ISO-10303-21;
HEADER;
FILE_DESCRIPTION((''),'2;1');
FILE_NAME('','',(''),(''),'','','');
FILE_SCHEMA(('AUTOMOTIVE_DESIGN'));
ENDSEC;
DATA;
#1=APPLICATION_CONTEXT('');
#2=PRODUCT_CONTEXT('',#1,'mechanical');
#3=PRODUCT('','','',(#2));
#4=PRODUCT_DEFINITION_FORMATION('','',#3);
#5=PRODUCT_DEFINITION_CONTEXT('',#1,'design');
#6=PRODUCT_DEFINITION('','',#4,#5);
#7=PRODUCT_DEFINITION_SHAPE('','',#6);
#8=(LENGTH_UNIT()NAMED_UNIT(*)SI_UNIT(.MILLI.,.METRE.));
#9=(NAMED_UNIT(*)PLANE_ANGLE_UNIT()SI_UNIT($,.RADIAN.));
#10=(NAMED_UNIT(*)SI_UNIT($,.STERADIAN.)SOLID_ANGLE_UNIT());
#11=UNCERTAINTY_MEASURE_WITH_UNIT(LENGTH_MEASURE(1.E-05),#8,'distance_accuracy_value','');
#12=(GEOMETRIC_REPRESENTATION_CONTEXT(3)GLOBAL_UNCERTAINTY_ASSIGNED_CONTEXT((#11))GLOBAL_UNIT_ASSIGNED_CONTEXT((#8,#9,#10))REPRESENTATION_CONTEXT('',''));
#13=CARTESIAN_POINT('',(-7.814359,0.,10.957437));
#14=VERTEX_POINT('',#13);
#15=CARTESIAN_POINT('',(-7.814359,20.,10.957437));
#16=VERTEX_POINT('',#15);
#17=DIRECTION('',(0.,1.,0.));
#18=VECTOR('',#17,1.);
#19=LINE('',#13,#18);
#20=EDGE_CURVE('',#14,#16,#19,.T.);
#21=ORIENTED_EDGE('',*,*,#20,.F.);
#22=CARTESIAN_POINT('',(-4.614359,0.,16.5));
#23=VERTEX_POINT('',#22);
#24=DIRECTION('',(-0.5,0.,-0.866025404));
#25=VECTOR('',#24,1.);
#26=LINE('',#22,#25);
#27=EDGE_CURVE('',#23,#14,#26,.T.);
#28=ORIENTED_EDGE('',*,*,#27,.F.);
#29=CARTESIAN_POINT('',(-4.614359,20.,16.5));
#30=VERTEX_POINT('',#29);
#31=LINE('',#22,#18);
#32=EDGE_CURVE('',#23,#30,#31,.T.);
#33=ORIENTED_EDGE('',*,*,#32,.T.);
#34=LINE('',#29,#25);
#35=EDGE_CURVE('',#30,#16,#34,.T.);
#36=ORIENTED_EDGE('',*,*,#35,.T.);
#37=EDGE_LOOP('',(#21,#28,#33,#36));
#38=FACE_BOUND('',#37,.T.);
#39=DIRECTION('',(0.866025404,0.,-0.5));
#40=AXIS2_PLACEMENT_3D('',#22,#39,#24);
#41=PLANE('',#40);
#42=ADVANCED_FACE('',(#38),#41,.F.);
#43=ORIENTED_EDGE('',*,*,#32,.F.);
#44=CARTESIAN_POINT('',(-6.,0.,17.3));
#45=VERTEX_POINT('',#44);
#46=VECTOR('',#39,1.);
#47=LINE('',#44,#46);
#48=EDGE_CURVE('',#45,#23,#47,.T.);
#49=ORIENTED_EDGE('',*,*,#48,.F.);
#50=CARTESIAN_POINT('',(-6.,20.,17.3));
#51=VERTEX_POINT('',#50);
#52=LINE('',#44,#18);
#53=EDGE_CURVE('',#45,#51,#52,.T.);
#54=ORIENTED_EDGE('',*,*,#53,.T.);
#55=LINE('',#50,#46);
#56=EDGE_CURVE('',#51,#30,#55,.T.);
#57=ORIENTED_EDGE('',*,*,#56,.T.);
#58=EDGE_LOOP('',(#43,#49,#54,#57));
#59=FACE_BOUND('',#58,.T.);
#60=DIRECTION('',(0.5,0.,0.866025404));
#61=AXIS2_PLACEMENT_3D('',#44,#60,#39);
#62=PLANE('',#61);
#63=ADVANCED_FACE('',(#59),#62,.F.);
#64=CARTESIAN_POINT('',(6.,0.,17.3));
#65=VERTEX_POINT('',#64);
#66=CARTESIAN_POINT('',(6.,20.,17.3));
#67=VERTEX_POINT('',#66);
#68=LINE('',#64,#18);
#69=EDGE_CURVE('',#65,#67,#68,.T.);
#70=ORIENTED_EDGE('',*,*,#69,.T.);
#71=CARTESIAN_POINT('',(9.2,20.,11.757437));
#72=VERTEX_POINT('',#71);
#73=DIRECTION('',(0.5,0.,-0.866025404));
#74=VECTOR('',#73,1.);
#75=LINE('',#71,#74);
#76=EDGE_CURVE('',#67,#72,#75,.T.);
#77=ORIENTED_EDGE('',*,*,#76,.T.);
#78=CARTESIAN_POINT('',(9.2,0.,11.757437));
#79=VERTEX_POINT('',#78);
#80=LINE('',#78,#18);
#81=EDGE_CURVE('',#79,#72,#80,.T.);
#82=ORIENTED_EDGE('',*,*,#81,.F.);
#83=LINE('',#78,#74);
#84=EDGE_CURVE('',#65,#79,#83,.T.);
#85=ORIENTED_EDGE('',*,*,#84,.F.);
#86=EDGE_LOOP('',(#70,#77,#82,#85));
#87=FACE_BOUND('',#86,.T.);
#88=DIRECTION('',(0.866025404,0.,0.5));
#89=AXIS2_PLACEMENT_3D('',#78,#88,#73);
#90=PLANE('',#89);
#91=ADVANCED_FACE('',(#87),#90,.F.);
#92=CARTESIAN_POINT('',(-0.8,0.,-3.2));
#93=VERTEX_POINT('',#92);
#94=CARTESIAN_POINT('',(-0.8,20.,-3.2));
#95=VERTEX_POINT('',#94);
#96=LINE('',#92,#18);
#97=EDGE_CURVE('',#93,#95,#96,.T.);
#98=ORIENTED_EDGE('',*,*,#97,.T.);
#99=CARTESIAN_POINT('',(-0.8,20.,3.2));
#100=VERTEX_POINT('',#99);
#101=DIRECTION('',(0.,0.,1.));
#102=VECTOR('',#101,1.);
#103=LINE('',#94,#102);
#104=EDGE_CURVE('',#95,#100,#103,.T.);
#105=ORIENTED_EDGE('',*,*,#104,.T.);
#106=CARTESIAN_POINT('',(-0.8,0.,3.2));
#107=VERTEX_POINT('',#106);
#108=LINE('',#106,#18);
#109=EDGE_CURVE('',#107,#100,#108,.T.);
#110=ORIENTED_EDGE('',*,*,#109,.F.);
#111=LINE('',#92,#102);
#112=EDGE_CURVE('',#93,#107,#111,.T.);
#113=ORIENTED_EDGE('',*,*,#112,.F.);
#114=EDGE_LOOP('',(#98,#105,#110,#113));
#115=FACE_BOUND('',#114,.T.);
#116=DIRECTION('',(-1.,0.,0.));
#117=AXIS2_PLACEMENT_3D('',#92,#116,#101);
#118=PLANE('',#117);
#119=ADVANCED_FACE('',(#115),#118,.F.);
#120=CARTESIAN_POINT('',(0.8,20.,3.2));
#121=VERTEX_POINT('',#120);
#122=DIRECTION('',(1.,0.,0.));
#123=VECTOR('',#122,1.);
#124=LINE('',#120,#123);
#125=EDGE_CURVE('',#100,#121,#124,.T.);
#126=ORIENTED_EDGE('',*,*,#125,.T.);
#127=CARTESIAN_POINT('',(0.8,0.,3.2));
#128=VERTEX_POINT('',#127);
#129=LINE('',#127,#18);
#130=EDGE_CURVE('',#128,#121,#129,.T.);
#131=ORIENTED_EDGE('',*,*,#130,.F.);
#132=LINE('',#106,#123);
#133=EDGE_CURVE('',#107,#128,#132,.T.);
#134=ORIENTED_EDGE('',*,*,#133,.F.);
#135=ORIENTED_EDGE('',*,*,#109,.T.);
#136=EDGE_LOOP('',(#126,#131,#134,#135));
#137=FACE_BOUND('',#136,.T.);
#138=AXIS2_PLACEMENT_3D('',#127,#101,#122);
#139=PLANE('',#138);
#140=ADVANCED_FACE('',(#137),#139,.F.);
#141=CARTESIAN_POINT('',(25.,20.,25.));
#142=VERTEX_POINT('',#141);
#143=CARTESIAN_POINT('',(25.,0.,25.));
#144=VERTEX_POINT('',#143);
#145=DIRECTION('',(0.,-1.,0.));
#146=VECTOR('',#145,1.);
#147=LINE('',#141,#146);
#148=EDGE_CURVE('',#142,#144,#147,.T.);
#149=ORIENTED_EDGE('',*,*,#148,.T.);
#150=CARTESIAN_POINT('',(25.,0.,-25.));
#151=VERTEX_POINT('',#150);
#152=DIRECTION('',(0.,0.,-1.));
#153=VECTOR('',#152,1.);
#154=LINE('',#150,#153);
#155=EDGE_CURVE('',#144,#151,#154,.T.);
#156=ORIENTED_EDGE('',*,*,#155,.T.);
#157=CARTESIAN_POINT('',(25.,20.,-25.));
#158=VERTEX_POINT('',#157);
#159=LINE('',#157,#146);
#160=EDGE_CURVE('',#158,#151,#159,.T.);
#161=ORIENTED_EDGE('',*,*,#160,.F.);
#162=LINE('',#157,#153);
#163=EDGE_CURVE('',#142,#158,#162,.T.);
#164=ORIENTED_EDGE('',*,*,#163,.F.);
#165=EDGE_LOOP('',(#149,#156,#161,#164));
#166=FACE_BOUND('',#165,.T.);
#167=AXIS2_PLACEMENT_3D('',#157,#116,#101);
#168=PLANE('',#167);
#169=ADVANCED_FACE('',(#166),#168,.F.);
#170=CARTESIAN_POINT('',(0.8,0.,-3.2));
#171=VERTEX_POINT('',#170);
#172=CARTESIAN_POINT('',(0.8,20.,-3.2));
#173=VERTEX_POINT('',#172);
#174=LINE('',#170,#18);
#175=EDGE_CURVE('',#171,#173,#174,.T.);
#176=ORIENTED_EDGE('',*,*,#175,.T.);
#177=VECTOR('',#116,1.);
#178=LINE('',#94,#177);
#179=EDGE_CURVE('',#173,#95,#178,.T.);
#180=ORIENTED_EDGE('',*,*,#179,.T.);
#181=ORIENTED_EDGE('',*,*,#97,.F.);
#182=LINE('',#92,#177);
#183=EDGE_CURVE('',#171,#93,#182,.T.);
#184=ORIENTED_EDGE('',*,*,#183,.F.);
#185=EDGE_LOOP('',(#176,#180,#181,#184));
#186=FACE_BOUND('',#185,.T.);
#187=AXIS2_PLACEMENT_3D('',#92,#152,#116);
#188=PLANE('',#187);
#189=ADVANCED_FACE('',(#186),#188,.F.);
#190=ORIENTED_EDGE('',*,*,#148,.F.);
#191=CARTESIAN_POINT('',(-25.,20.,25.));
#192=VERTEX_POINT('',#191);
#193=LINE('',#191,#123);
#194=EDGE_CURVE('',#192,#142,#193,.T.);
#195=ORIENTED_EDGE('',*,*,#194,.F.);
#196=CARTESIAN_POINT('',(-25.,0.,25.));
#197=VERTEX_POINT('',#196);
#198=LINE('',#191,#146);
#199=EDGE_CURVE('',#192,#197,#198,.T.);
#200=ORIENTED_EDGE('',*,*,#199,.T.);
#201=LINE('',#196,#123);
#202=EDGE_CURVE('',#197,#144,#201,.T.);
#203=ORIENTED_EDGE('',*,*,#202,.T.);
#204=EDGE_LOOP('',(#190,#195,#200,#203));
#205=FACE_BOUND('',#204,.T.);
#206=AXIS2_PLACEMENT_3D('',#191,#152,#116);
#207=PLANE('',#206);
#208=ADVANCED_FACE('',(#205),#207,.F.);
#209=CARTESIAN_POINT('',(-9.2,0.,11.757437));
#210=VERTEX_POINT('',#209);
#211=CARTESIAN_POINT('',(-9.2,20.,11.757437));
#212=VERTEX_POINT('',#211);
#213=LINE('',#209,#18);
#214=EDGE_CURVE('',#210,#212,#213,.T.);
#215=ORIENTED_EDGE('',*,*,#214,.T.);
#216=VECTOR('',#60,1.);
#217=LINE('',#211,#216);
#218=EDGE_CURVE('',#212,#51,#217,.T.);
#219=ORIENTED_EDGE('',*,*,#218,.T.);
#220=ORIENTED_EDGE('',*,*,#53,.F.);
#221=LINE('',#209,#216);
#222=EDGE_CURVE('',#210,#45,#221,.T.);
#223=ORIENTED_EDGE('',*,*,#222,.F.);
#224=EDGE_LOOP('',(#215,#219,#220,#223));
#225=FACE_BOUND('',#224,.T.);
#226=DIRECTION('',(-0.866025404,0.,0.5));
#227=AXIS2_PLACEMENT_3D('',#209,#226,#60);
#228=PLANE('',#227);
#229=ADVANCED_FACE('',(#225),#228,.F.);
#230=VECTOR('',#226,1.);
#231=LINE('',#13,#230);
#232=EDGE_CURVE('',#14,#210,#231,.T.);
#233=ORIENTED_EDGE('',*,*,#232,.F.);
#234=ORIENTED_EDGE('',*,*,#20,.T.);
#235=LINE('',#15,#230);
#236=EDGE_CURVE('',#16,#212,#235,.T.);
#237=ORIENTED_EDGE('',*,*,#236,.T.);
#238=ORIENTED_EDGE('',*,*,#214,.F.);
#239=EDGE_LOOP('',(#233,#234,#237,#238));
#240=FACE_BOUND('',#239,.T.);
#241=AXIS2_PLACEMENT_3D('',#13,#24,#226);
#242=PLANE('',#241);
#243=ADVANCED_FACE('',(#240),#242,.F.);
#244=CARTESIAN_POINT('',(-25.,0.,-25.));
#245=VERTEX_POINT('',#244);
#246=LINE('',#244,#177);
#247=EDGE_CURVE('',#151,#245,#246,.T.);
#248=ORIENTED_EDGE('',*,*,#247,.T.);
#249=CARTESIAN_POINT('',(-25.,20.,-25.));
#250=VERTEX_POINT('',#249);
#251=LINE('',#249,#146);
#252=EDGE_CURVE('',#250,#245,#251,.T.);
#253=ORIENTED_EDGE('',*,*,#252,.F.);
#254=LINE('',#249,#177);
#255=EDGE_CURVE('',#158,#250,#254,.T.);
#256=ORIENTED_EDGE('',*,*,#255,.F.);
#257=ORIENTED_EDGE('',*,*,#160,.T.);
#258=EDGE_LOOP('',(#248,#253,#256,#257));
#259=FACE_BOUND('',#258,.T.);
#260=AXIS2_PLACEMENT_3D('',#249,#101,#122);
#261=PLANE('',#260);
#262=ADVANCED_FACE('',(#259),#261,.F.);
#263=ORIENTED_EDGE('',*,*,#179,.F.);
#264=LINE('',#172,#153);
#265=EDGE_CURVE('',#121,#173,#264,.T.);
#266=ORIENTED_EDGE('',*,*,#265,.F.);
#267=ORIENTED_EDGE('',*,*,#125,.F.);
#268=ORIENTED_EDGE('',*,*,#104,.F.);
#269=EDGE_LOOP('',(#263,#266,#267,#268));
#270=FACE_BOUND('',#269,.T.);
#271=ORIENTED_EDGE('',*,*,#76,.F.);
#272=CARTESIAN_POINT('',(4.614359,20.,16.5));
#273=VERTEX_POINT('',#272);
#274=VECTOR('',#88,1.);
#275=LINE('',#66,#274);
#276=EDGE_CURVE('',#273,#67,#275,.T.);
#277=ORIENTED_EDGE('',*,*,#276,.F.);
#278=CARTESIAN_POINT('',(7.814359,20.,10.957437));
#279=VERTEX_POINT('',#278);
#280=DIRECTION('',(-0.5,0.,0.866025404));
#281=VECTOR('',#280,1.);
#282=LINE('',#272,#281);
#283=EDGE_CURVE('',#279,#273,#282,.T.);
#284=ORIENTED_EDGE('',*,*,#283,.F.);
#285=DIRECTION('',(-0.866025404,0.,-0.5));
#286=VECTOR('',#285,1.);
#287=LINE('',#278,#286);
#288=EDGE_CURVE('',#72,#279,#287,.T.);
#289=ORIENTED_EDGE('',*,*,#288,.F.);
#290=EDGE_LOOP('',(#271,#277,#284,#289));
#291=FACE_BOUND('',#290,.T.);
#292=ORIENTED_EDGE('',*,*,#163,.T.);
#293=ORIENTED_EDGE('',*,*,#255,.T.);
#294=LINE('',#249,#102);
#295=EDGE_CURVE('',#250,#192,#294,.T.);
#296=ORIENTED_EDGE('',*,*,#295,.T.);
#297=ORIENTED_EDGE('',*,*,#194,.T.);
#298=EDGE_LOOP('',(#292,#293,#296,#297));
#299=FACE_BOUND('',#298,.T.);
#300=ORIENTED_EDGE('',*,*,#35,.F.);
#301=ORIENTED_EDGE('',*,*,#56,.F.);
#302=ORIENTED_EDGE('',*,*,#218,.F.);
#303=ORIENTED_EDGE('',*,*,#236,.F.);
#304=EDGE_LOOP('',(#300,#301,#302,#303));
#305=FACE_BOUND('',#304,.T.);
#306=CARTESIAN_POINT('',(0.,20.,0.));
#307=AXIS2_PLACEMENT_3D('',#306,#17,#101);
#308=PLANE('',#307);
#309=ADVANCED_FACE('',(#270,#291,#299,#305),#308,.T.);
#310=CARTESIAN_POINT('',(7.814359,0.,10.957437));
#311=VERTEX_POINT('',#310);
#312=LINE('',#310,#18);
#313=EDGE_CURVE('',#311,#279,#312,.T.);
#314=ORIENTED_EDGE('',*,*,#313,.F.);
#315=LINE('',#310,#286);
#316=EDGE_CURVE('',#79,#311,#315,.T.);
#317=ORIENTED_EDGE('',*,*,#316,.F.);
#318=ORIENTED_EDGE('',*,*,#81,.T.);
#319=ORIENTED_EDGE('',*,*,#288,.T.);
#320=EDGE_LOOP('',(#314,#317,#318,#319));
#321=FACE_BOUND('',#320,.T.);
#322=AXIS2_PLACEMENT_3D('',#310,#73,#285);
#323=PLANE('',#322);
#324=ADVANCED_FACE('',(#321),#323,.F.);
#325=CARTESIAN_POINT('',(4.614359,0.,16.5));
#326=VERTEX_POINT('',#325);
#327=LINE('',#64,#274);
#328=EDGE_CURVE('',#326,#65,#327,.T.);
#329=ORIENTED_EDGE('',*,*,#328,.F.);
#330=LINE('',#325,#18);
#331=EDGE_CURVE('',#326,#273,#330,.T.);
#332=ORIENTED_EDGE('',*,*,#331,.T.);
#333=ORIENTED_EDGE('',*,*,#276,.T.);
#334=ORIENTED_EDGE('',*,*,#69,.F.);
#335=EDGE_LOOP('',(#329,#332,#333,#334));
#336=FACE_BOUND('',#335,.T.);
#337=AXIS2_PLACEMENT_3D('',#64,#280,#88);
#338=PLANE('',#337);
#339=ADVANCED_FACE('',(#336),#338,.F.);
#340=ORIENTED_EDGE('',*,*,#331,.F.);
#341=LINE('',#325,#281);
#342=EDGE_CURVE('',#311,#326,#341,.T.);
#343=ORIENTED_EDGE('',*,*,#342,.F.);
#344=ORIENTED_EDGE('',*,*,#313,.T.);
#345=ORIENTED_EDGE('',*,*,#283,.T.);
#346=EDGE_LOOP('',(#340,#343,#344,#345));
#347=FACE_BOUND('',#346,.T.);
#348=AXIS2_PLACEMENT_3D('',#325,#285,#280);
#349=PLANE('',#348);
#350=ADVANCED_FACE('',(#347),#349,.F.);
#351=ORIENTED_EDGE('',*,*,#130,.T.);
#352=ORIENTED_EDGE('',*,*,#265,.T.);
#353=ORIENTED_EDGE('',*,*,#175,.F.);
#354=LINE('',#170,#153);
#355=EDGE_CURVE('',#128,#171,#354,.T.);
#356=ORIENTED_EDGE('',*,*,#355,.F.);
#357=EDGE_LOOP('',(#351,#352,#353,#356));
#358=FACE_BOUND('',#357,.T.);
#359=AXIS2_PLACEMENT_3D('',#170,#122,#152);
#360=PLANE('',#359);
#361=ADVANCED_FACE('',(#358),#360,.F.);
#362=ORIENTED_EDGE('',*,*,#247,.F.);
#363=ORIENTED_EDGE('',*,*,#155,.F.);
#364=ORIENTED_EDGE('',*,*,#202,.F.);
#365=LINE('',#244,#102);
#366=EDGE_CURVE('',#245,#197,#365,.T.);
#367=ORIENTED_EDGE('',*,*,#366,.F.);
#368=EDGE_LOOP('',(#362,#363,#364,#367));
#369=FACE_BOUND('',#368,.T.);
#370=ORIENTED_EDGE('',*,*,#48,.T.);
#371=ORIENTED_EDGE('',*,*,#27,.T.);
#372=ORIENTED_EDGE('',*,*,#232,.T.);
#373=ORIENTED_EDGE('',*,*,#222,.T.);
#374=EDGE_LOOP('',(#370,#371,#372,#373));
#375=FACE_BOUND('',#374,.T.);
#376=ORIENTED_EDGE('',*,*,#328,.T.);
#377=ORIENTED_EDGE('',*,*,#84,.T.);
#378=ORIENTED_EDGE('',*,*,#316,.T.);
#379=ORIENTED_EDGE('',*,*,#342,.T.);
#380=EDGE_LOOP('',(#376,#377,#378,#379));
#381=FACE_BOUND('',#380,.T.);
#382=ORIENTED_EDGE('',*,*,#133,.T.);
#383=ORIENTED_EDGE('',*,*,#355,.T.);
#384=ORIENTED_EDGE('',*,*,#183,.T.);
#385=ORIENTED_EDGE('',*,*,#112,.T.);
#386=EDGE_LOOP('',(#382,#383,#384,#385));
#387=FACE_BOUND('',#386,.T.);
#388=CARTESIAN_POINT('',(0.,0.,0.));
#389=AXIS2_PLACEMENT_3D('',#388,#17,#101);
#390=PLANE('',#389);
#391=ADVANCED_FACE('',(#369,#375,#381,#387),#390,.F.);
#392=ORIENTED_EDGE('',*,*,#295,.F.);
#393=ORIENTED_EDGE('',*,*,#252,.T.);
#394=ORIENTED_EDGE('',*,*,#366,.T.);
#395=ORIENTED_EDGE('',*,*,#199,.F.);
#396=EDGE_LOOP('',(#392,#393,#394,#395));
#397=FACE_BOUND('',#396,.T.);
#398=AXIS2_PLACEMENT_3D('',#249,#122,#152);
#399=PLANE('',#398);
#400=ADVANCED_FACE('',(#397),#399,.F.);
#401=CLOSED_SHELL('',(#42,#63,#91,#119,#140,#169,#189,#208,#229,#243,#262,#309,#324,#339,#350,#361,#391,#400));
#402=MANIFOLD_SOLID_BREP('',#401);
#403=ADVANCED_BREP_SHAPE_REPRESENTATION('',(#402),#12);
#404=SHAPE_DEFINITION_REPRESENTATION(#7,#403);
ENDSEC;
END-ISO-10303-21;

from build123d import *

# Parameters (mm, degrees)
SKETCH_1_W          = 50
SKETCH_1_H          = 50
EXTRUDE_1_DEPTH     = 20
CUT_EXTRUDE_1_DEPTH = 20


with BuildPart() as part:
    # Эскиз1 → Бобышка-Вытянуть1 (new body)
    with BuildSketch(Plane(origin=(0, 0, 0), x_dir=(1, 0, 0), z_dir=(0, 1, 0))):
        Rectangle(SKETCH_1_W, SKETCH_1_H)
    extrude(amount=EXTRUDE_1_DEPTH)

    # Эскиз2 → Вырез-Вытянуть1 (cut)
    with BuildSketch(Plane(origin=(0, 20, 0), x_dir=(1, 0, 0), z_dir=(0, 1, 0))):
        Polygon((-0.8, 3.2), (0.8, 3.2), (0.8, -3.2), (0, -3.2), (-0.8, -3.2), align=None)
        Polygon((4.614359354, -16.5), (7.814359354, -10.957437416), (9.2, -11.757437416), (6, -17.3), align=None)
        Polygon((-6, -17.3), (-4.614359354, -16.5), (-7.814359354, -10.957437416), (-9.2, -11.757437416), align=None)
    extrude(amount=-CUT_EXTRUDE_1_DEPTH, mode=Mode.SUBTRACT)


solid = part.part
